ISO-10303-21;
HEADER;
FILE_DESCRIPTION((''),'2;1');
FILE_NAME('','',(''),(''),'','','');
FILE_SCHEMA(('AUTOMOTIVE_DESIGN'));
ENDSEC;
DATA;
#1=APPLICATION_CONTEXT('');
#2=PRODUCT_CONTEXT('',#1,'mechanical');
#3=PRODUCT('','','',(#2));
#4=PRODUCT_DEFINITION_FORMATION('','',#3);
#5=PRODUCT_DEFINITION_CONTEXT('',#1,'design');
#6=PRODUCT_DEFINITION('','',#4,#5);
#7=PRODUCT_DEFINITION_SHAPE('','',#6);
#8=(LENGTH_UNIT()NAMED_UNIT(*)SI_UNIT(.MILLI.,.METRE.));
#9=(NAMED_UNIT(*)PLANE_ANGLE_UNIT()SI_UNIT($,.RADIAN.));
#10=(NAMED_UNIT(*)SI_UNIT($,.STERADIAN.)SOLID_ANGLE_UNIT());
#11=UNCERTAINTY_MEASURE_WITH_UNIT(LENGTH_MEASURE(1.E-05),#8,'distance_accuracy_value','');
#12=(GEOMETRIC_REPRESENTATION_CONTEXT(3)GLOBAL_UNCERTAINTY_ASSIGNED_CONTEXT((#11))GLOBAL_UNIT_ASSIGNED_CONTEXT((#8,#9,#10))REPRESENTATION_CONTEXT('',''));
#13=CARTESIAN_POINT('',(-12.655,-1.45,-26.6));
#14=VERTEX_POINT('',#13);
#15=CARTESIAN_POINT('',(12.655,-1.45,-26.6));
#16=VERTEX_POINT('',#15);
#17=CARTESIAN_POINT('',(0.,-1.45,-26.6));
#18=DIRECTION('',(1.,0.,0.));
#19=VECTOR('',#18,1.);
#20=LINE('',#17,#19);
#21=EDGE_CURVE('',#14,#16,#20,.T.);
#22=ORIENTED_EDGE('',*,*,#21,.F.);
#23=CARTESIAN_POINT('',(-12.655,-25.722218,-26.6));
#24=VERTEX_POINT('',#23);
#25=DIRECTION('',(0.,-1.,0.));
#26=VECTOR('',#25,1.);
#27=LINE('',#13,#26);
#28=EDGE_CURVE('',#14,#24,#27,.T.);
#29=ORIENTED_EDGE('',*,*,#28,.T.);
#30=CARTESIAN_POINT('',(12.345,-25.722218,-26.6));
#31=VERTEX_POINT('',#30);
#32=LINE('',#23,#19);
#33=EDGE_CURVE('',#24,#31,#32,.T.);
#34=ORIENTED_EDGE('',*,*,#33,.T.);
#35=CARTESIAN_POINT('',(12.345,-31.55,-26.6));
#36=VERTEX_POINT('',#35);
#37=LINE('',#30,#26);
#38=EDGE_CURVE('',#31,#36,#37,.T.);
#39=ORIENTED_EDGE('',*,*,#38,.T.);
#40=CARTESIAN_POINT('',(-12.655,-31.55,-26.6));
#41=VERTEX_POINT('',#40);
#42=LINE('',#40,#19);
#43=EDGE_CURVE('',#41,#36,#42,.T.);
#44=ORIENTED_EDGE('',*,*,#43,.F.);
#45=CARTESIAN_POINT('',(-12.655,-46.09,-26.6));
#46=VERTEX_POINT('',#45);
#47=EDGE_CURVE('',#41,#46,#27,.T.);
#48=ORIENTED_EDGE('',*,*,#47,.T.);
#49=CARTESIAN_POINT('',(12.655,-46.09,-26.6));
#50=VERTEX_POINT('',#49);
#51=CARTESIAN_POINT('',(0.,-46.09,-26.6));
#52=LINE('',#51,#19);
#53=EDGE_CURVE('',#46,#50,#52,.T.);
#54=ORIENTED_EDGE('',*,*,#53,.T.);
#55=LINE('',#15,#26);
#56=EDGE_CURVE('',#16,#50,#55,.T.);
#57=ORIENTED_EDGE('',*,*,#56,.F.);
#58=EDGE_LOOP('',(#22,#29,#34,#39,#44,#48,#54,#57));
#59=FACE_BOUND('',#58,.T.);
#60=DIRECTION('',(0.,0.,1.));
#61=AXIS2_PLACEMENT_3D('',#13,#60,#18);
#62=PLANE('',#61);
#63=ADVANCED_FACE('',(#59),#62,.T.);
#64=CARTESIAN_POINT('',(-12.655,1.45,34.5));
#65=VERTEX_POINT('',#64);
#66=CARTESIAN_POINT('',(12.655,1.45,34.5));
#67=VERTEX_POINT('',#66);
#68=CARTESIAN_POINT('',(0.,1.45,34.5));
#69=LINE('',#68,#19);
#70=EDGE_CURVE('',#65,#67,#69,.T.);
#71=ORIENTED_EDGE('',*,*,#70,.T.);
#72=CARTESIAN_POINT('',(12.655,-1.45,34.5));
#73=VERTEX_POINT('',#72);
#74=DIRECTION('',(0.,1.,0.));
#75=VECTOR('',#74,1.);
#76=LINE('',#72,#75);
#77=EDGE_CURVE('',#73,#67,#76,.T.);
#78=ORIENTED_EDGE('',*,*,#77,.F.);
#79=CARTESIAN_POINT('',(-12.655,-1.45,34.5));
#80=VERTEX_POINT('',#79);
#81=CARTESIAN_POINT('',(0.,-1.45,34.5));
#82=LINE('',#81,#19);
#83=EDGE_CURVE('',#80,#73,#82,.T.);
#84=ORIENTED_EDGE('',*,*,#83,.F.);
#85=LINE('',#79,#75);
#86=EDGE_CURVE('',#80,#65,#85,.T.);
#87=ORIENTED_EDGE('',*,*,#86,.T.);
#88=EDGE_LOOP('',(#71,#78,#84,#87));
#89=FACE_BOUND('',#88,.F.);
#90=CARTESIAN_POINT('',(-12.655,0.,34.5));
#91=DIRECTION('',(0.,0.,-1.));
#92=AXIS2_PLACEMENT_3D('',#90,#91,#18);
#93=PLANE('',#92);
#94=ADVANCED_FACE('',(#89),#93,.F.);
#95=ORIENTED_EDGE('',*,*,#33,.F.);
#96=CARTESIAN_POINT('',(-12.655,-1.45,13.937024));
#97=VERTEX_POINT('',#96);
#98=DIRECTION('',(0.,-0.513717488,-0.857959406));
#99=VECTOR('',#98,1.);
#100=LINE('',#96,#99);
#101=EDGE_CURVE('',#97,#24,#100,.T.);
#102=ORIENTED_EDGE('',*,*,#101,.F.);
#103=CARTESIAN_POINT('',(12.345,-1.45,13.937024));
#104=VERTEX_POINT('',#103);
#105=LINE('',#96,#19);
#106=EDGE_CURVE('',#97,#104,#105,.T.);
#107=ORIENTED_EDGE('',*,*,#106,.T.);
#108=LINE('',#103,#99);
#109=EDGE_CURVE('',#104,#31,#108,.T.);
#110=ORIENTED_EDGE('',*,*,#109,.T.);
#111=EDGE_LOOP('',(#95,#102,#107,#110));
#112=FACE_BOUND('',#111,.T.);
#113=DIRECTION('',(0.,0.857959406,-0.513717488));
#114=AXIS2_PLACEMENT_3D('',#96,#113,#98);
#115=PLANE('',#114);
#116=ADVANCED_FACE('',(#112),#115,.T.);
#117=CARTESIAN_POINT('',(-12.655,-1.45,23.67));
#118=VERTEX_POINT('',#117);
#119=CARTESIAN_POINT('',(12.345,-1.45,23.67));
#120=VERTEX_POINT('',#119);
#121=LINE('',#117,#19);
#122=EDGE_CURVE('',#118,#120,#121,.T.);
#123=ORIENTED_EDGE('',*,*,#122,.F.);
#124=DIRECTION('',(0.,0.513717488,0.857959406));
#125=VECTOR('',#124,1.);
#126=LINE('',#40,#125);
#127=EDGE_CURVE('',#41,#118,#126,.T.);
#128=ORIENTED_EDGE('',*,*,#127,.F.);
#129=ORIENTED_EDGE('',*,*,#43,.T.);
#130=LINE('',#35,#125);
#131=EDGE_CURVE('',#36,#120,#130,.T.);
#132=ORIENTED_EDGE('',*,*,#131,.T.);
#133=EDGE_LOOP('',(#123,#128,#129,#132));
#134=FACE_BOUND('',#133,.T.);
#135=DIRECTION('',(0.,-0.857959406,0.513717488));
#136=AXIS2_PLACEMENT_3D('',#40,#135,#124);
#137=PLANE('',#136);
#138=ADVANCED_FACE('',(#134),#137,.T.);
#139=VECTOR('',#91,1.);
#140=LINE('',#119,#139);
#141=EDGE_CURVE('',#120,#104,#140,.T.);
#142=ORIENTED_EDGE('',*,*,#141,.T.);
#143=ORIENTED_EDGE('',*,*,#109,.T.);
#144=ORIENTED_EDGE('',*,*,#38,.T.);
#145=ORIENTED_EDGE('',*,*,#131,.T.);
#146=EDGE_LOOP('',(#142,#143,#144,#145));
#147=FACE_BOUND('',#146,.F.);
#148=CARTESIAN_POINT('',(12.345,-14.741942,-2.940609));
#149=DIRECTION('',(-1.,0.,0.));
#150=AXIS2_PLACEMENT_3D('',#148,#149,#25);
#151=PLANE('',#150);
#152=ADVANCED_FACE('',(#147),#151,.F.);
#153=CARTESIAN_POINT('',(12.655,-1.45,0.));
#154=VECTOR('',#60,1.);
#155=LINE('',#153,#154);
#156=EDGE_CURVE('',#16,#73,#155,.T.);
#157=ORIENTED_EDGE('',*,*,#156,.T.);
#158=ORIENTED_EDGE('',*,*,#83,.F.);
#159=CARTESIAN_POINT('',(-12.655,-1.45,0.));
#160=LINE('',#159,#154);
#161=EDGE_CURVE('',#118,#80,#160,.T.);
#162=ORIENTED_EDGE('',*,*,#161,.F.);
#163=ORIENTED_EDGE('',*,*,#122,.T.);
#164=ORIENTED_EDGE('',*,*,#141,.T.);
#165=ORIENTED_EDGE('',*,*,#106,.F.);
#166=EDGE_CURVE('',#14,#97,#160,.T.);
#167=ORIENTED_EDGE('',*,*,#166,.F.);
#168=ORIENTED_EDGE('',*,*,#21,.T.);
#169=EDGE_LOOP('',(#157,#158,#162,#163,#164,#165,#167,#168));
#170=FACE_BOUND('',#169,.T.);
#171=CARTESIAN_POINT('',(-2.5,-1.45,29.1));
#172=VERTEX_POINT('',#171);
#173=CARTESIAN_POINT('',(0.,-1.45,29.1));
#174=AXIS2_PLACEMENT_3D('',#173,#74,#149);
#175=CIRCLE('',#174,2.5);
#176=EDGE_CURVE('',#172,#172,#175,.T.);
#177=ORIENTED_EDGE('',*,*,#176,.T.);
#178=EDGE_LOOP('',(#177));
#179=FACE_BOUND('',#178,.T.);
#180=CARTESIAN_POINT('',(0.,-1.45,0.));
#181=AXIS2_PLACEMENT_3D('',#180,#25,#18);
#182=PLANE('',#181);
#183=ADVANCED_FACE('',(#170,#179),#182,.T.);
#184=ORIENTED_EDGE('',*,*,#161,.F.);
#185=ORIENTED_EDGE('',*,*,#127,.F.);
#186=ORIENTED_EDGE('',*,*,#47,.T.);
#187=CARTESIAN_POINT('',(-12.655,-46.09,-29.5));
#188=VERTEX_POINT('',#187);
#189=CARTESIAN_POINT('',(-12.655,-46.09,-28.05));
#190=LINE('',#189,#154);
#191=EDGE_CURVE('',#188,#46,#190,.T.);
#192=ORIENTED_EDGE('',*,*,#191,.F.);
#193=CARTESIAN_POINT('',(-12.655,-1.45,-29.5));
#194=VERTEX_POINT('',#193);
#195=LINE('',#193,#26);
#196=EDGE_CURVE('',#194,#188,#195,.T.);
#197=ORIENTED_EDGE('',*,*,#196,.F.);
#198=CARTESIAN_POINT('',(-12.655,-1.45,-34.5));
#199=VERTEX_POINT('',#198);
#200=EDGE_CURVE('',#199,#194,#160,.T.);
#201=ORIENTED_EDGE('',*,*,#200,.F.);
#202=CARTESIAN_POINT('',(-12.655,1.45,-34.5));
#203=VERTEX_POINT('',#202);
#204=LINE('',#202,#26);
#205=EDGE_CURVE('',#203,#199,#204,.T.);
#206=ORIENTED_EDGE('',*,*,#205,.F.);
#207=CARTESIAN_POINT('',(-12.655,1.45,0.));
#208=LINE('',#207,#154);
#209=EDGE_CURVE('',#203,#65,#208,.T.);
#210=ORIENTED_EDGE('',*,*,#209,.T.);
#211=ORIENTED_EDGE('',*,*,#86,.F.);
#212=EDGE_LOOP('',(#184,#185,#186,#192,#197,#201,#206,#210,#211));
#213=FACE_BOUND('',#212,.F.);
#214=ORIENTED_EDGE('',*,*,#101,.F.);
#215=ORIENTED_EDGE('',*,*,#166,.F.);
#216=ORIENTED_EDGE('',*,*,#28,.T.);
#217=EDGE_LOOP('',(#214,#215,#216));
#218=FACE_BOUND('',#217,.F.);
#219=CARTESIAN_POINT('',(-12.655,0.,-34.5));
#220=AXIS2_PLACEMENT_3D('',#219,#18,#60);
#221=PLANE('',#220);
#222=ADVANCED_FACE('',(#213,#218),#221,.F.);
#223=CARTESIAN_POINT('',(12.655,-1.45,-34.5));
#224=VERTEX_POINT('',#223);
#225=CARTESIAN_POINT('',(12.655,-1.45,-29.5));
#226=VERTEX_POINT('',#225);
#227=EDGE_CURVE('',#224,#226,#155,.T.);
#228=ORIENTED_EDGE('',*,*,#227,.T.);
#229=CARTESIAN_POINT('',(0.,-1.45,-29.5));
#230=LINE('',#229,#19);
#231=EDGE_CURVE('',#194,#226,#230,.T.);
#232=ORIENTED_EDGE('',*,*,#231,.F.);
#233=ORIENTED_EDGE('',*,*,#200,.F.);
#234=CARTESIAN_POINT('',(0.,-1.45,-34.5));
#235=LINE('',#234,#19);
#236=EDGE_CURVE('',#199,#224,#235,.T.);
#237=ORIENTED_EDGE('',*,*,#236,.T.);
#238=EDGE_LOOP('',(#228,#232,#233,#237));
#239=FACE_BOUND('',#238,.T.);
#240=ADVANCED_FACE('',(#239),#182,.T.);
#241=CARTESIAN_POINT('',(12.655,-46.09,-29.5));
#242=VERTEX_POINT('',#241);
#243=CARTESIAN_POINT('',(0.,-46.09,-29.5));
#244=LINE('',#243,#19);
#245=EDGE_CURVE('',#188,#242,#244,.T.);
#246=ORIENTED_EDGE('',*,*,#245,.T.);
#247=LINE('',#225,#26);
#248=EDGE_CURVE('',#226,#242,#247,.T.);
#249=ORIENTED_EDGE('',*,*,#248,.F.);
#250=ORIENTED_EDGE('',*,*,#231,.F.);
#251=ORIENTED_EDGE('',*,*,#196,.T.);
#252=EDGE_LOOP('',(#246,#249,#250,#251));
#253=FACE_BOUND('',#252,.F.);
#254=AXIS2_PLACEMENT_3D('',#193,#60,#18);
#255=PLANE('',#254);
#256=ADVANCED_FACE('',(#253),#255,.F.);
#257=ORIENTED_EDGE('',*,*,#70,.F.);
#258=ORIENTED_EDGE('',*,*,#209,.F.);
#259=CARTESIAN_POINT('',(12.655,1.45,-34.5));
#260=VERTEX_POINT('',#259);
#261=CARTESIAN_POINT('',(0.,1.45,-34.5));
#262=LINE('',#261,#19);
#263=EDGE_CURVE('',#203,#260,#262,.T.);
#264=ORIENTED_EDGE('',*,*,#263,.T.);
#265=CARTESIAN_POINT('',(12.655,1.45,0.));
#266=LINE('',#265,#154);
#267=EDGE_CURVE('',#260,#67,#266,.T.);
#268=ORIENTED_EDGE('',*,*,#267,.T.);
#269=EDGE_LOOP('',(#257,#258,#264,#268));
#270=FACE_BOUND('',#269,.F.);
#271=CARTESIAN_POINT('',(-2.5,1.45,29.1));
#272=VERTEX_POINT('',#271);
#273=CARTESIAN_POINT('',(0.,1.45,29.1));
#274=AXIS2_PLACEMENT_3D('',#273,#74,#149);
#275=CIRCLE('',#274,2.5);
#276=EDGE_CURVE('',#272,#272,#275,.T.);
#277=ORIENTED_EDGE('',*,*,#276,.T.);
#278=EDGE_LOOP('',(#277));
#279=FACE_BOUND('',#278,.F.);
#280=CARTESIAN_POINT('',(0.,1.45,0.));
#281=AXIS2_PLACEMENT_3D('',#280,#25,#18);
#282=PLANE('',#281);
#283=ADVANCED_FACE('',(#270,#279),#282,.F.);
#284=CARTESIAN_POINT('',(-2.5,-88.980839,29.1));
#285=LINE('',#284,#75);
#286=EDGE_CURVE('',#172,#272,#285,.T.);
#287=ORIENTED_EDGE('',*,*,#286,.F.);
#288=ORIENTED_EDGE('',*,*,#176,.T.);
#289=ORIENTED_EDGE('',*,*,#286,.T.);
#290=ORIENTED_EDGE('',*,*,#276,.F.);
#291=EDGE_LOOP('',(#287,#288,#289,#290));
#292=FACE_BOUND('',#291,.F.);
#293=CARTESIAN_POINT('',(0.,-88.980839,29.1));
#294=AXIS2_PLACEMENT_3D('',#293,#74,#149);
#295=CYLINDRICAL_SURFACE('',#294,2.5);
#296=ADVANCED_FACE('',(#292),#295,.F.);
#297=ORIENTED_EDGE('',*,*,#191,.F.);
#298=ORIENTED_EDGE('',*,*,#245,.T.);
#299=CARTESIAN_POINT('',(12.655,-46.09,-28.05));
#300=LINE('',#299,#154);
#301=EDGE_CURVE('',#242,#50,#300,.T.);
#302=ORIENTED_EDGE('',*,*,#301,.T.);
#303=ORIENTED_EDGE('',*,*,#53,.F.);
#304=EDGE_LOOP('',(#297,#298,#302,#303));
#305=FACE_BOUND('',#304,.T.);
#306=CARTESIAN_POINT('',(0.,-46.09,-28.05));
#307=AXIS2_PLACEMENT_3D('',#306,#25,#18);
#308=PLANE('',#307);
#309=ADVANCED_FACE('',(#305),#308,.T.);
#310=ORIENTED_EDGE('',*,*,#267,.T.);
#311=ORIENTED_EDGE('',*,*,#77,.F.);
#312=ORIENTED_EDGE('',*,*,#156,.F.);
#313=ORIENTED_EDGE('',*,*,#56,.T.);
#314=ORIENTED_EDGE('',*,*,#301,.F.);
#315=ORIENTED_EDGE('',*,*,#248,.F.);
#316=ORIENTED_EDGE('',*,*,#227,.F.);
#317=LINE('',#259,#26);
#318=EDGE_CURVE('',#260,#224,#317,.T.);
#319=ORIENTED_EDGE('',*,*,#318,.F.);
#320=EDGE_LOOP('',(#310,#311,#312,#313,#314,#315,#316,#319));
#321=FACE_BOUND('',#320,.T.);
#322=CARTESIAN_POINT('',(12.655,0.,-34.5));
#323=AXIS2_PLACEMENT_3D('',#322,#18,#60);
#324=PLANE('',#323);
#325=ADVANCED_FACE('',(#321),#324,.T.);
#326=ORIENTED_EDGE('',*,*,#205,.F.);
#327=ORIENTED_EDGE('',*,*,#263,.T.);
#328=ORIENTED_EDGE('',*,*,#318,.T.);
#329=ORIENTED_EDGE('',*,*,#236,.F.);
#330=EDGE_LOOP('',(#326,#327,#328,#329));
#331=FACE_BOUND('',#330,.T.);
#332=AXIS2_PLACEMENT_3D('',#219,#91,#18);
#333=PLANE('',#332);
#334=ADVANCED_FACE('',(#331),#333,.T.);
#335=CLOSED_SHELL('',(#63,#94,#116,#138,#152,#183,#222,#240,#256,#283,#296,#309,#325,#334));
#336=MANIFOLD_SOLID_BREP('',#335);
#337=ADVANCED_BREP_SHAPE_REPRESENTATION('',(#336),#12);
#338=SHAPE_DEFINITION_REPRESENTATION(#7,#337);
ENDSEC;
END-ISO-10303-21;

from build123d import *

# Parameters (mm, degrees)
F0_W     = 25.31
F0_H     = 69
F1_DEPTH = 1.45
F2_W     = 25.31
F2_H     = 2.9
F3_DEPTH = 44.64
F8_DEPTH = 25
F10_D    = 5


with BuildPart() as f1:
    # F0 (on Front) → F1 (new body, symmetric)
    with BuildSketch(Plane.XZ):
        Rectangle(F0_W, F0_H)
    extrude(amount=F1_DEPTH, both=True)

    # F2 (on face) → F3 (join)
    with BuildSketch(Plane.XZ.offset(1.45)):
        with Locations((0, -28.05)):
            Rectangle(F2_W, F2_H)
    extrude(amount=F3_DEPTH)

    # F7 (on line) → F8 (join)
    with BuildSketch(Plane(origin=(-12.655, 0, 0), x_dir=(0, -1, 0), z_dir=(-1, 0, 0))):
        Polygon((25.722218447, -26.6), (31.55, -26.6), (1.45, 23.67), (1.45, 13.9370239645), align=None)
    extrude(amount=-F8_DEPTH)

    # F10 (through all)
    with Locations(Plane.XZ.offset(1.45)):
        with Locations((0, 29.1)):
            Hole(F10_D / 2)


solid = f1.part
